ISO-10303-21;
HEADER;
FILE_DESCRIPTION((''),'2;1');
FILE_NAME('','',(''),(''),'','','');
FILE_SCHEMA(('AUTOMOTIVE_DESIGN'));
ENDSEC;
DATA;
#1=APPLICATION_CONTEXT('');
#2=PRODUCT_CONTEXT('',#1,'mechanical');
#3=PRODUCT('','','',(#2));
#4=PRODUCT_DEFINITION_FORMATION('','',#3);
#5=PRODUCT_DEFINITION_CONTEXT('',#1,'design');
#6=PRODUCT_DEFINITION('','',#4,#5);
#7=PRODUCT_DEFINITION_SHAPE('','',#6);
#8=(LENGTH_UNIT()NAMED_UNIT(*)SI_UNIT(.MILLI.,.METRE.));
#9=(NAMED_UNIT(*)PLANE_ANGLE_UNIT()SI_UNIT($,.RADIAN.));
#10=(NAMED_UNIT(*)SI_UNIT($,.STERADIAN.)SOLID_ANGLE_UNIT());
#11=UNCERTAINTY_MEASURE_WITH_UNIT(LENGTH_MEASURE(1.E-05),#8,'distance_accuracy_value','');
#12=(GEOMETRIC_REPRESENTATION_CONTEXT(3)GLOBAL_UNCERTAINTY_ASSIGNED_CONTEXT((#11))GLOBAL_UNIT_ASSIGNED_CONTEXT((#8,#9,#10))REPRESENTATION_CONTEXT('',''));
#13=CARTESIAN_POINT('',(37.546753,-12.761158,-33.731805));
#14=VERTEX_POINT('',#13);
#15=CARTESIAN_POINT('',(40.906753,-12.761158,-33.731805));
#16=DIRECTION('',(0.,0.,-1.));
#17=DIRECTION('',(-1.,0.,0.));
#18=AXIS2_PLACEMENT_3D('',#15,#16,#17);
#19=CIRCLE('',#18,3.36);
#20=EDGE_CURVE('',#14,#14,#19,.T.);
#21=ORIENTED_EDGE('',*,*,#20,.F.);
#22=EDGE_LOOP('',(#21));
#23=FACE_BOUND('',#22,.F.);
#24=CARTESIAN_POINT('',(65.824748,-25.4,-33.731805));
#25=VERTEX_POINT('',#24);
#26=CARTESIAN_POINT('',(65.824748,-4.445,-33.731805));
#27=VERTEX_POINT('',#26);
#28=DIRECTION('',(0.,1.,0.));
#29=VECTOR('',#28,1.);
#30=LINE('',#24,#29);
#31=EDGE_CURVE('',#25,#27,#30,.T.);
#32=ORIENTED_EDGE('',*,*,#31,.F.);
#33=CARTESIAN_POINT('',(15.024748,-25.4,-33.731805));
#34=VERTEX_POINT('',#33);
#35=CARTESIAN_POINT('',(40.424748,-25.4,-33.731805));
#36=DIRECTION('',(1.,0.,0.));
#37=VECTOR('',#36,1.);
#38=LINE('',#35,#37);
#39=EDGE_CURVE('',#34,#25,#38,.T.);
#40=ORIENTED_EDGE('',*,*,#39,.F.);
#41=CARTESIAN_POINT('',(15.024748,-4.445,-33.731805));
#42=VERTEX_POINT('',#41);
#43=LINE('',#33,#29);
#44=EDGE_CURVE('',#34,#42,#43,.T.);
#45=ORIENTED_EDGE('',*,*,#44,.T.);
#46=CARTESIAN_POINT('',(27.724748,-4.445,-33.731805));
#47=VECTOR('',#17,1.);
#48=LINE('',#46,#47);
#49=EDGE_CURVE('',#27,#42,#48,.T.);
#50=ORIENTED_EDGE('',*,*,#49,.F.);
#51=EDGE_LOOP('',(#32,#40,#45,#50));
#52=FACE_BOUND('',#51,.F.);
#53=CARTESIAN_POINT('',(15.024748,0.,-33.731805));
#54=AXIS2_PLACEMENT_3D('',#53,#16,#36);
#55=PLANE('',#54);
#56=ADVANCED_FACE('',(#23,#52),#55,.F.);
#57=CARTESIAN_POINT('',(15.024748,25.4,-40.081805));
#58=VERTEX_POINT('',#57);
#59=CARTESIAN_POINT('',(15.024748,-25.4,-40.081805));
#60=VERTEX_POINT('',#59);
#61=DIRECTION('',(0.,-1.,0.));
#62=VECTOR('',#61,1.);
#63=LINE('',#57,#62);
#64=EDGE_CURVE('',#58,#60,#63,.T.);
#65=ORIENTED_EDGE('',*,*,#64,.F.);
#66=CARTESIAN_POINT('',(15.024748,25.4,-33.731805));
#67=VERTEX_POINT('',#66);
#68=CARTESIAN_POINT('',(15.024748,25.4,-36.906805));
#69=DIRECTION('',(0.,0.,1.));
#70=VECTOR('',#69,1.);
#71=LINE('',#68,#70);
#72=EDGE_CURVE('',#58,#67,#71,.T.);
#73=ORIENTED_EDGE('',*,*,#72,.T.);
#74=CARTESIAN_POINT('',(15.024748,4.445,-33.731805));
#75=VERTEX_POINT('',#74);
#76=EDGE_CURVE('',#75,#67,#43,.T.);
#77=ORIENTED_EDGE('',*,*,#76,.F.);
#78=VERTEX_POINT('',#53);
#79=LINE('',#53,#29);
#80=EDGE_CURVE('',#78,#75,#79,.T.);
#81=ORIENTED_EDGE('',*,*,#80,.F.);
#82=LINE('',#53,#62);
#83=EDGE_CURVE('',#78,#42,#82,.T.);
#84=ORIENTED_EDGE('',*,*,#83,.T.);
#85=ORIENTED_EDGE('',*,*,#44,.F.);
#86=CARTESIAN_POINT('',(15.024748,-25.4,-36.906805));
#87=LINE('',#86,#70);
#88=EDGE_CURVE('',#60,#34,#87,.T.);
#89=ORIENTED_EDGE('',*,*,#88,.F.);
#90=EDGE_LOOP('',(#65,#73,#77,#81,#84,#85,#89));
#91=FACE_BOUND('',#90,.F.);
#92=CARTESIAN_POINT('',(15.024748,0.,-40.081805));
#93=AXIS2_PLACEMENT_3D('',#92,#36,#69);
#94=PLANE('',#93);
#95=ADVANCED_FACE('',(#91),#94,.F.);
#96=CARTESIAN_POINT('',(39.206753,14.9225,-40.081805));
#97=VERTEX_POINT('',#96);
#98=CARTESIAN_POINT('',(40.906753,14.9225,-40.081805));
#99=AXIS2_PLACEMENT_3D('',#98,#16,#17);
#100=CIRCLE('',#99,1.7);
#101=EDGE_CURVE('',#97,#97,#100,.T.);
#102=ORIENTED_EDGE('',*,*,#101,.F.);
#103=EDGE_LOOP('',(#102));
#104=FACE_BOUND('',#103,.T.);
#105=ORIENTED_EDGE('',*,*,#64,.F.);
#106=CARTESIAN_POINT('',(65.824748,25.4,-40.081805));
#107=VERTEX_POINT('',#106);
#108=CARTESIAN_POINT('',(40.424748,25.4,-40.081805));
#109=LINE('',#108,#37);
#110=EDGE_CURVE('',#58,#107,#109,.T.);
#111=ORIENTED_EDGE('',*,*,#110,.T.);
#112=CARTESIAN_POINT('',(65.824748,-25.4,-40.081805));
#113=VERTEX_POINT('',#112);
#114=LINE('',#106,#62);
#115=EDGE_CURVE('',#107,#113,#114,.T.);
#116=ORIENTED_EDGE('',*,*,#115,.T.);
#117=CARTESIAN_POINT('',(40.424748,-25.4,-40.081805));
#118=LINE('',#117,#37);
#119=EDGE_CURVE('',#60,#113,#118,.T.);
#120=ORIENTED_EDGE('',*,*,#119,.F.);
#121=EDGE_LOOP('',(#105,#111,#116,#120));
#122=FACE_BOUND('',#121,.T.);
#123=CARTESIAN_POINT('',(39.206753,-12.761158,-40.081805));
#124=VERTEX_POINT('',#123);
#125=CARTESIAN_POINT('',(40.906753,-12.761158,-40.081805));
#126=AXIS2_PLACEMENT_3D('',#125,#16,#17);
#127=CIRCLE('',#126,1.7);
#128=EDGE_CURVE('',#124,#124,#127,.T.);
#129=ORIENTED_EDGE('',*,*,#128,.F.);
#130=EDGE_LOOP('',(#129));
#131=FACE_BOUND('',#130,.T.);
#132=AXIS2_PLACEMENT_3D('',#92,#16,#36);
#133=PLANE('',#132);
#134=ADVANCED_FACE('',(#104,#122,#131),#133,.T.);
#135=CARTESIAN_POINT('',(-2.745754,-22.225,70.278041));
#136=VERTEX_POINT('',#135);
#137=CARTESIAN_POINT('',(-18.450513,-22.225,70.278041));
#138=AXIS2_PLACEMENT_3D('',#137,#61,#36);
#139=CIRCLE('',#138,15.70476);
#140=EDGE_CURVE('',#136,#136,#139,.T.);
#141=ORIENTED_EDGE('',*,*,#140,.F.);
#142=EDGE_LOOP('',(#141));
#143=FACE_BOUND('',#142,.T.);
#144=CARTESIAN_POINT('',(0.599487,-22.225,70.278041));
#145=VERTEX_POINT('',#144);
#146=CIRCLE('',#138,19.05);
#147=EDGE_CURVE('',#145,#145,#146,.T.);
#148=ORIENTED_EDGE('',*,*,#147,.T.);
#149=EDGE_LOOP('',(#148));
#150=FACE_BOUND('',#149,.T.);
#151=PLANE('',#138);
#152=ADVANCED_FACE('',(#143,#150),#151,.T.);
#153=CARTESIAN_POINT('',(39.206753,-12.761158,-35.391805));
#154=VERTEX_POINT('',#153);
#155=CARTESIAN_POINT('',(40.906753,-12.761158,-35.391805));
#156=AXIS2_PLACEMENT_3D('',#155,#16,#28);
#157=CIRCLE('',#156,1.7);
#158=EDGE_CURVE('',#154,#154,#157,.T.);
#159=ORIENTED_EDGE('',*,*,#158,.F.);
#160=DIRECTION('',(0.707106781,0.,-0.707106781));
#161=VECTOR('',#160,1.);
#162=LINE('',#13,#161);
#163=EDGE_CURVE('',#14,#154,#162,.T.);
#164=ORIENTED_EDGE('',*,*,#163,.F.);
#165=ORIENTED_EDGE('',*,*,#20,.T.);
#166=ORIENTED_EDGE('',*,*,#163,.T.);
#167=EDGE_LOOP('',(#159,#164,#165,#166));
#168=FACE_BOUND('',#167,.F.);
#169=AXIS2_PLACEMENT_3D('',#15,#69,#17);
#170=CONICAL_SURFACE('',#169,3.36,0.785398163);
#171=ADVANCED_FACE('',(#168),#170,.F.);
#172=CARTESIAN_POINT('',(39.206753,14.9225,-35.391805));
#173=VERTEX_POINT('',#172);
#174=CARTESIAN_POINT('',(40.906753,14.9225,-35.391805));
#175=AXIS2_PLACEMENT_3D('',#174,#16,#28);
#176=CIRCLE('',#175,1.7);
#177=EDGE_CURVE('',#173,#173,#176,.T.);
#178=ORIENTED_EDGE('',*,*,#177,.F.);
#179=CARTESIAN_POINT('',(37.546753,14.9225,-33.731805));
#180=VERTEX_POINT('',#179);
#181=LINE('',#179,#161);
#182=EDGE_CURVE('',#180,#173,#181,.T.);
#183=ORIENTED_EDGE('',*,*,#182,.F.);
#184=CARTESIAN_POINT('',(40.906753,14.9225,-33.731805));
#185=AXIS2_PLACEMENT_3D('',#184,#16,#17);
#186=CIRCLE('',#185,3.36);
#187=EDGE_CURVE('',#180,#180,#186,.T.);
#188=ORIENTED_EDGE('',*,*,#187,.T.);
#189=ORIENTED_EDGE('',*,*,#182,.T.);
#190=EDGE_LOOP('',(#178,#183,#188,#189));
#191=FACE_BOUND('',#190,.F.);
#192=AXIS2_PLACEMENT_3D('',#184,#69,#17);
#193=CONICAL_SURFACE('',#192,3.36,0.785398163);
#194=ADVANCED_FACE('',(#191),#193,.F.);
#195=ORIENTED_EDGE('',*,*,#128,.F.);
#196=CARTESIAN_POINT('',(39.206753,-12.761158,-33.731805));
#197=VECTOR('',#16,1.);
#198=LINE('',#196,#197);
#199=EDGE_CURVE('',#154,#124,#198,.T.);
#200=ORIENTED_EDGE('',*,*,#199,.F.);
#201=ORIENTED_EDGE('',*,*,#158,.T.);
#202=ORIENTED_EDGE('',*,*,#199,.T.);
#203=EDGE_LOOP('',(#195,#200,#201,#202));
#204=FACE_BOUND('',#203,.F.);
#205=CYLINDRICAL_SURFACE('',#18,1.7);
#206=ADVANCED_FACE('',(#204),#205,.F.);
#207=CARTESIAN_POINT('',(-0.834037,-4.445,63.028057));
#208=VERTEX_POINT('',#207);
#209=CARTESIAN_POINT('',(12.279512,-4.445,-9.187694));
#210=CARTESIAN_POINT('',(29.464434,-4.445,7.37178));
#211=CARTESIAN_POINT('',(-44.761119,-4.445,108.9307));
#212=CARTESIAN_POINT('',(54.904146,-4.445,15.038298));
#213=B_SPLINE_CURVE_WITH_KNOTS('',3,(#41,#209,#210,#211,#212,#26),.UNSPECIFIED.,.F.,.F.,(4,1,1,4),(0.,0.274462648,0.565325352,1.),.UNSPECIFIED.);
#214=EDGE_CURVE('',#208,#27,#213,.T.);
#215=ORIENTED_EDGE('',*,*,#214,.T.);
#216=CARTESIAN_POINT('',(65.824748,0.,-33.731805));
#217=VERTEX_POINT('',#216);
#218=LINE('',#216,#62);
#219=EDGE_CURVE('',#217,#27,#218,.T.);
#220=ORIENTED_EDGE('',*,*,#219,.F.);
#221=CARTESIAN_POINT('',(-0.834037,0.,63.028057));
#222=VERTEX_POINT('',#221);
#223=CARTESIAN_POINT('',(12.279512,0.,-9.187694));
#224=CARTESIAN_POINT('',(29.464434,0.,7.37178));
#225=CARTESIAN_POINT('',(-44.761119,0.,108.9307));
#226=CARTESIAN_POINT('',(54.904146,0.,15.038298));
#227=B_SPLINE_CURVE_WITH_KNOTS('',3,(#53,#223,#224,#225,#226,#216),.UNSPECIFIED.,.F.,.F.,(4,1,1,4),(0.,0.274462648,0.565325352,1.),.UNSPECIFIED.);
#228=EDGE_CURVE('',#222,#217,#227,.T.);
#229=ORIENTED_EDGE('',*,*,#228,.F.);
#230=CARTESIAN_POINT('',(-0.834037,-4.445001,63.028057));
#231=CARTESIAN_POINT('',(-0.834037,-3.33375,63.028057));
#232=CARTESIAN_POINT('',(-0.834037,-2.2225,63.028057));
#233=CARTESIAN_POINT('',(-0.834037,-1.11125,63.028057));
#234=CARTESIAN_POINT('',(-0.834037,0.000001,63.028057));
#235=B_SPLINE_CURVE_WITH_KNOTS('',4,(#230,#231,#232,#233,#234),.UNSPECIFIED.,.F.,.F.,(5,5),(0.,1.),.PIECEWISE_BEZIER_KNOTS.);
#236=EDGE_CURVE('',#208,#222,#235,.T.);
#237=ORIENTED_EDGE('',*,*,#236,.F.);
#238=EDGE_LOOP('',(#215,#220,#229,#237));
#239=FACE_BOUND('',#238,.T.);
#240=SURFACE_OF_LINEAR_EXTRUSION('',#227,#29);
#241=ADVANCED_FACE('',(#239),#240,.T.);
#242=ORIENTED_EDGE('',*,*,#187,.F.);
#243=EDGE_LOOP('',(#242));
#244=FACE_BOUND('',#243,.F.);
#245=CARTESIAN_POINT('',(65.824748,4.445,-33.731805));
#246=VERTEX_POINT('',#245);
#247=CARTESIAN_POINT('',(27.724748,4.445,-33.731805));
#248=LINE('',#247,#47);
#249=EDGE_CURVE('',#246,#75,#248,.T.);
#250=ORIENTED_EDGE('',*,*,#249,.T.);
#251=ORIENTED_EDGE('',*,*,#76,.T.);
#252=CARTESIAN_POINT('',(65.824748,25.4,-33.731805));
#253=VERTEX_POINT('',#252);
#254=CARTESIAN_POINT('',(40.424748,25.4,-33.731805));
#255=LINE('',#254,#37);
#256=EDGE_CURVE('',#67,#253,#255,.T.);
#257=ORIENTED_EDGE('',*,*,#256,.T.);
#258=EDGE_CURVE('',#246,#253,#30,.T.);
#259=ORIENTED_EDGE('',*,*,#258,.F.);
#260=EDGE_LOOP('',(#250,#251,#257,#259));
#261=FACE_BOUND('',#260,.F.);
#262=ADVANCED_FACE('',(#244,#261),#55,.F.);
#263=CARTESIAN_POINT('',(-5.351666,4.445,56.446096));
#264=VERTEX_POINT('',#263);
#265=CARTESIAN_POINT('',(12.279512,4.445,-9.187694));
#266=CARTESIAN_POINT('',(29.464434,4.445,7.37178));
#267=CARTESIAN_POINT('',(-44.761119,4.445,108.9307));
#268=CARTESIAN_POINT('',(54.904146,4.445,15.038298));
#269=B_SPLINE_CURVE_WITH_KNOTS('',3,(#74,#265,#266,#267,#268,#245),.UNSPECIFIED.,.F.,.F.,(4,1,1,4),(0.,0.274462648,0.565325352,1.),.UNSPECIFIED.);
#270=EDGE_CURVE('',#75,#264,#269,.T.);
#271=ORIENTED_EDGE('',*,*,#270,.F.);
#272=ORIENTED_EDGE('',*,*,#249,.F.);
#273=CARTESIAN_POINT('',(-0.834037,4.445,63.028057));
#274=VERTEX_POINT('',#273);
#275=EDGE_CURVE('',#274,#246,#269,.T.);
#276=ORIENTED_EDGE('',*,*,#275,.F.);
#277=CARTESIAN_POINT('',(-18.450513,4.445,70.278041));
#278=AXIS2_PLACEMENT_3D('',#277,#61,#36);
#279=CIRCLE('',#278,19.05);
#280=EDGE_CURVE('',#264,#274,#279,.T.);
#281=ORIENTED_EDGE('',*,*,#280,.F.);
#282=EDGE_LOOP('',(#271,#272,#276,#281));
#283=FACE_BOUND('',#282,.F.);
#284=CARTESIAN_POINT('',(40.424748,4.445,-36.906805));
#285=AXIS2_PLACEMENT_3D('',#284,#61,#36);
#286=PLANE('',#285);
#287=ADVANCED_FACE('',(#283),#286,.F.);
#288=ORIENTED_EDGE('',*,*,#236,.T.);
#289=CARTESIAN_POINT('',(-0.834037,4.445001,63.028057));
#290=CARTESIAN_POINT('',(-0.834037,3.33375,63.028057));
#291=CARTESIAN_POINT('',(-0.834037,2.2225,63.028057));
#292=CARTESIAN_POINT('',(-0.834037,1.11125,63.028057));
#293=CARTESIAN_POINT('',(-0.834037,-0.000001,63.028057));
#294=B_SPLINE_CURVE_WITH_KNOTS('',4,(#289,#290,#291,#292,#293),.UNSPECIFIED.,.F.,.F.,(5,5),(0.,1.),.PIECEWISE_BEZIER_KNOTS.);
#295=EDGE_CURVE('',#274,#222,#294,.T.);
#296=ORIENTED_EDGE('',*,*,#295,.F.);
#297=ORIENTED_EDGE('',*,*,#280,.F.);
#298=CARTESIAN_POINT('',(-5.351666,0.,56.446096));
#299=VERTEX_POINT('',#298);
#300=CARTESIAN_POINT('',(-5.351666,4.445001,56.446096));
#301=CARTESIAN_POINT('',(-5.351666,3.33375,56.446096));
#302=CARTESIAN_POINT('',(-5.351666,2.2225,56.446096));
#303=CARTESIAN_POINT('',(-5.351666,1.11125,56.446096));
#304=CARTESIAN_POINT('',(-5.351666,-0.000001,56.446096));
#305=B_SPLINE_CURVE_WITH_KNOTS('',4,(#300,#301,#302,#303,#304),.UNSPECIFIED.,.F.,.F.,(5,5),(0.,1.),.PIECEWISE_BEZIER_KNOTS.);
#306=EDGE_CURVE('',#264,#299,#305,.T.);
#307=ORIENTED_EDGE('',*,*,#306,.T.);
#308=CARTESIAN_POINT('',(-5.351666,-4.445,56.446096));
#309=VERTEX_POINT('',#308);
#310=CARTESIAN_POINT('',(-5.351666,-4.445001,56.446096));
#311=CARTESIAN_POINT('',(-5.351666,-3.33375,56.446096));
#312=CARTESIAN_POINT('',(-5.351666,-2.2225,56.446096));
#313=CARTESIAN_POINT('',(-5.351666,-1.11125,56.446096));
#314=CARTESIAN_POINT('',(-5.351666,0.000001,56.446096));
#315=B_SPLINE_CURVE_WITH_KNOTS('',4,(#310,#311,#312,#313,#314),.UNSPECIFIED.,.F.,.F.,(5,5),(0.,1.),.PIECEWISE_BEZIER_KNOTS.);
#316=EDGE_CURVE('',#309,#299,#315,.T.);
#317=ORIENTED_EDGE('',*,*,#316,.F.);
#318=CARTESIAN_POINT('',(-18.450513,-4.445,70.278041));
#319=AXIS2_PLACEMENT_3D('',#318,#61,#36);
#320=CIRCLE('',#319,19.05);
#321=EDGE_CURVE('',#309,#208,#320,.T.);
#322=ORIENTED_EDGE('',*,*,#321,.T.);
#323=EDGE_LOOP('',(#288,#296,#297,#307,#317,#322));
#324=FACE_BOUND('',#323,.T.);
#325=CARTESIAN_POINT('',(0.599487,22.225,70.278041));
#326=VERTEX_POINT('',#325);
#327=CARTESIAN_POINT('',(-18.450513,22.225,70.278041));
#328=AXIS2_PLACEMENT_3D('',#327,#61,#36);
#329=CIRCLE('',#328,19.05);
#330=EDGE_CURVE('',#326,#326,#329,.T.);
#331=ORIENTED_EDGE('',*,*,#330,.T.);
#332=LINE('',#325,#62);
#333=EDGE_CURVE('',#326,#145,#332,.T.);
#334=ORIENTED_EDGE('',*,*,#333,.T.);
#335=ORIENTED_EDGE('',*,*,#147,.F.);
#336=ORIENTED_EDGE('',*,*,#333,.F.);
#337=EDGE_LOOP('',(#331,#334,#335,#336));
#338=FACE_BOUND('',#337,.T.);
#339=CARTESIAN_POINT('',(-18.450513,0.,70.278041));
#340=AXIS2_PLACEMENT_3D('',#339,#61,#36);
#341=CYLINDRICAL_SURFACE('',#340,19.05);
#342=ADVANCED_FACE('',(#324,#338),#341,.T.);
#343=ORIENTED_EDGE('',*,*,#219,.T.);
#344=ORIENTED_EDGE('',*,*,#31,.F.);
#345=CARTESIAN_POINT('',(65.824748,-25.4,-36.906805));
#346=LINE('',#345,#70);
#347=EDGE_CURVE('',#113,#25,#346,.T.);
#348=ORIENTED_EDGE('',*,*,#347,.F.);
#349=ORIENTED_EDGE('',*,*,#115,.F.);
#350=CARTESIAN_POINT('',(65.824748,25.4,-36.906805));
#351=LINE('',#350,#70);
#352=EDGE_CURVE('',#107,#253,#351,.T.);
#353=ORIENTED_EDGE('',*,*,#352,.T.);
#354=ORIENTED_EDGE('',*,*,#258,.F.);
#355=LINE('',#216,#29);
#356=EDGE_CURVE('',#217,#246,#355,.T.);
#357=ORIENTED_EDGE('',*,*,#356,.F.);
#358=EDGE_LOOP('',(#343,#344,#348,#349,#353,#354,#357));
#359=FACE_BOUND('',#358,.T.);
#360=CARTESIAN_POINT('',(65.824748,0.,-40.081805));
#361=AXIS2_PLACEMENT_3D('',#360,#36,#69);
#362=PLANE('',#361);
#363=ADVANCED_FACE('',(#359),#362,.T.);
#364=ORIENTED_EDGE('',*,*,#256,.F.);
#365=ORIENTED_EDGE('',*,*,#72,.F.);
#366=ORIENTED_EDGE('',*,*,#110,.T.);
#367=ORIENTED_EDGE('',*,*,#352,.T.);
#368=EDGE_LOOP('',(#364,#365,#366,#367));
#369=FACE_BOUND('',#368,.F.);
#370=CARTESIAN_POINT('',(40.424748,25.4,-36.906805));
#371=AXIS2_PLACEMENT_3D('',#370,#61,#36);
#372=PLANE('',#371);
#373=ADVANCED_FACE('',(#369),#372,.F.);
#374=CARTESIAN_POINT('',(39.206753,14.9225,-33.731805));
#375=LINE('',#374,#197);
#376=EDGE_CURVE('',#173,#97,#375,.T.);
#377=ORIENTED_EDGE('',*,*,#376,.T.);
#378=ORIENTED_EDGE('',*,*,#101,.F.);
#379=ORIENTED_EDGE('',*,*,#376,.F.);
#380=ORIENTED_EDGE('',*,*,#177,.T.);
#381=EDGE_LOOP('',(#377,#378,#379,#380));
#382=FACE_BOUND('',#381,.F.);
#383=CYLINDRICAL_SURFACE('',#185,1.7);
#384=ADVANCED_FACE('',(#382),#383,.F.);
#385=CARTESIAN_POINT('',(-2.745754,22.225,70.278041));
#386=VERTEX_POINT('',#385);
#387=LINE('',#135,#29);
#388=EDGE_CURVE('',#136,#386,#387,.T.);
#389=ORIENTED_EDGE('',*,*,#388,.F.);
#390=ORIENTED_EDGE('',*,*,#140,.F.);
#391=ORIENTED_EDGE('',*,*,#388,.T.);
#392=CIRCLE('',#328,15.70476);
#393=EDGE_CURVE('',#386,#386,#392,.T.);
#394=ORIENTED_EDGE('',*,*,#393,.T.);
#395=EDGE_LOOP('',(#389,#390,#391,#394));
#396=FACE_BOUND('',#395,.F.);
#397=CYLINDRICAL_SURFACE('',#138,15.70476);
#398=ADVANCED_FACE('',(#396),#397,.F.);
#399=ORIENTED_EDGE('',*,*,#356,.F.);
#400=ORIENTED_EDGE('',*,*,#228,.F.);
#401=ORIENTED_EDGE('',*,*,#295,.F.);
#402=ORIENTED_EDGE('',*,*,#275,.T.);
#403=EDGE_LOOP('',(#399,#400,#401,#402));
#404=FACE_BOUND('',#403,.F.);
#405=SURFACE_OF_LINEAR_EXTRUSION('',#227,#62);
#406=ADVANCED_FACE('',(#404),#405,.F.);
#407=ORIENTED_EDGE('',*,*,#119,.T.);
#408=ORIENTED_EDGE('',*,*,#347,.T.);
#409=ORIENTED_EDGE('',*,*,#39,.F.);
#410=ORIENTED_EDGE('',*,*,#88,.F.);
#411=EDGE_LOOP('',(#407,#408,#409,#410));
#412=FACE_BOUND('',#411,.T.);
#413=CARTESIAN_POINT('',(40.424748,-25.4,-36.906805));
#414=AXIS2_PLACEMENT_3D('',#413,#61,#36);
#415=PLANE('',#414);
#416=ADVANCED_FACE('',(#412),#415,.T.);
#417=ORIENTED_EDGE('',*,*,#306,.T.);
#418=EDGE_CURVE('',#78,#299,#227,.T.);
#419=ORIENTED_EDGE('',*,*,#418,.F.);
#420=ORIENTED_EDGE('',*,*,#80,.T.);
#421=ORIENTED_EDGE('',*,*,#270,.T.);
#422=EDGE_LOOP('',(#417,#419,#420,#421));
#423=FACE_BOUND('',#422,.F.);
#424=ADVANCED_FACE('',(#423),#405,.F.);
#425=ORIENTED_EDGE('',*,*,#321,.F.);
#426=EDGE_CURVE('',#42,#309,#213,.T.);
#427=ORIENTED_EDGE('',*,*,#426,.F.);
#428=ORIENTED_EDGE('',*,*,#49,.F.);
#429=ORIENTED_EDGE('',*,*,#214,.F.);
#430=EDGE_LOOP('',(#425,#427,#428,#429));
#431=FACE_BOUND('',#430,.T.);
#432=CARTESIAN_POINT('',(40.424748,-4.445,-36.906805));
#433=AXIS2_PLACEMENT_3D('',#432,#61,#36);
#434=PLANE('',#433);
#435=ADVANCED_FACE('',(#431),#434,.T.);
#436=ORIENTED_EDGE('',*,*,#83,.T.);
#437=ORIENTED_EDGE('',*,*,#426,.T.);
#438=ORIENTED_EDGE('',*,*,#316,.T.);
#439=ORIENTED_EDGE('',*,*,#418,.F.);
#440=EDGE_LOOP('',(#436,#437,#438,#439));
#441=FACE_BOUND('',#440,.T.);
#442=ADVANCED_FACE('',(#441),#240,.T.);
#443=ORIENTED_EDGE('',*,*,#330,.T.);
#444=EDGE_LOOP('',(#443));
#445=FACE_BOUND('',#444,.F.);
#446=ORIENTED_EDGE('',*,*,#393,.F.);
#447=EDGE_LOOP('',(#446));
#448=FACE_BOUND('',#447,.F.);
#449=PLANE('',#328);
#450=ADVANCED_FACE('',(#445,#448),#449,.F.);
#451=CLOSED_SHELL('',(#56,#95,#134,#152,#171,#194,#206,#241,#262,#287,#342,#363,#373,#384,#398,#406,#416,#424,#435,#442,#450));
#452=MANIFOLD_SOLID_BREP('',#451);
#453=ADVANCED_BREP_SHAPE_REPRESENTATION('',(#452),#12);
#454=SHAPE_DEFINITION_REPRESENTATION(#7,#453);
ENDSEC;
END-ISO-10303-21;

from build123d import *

# Parameters (mm, degrees)
F0_W           = 50.8
F0_H           = 6.35
F1_DEPTH       = 25.4
F2_DEPTH       = 4.445
F3_R           = 19.05
F4_DEPTH       = 22.225
F5_R           = 15.7047598919
F6_DEPTH       = 44.45
F8_D           = 3.4
F8_CSINK_D     = 6.72
F8_CSINK_ANGLE = 90
F9_D           = 3.4
F9_CSINK_D     = 6.72
F9_CSINK_ANGLE = 90


with BuildPart() as f1:
    # F0 (on Front) → F1 (new body, symmetric)
    with BuildSketch(Plane.XZ):
        with Locations((40.4247476995, -36.9068052319)):
            Rectangle(F0_W, F0_H)
    extrude(amount=F1_DEPTH, both=True)

    # F0 (on Front) → F2 (join, symmetric)
    with BuildSketch(Plane.XZ):
        with Locations((40.4247476995, -36.9068052319)):
            Rectangle(F0_W, F0_H)
        with BuildLine():
            Line((15.0247476995, -33.7318052319), (65.8247476995, -33.7318052319))
            add(Edge.make_bspline(
                [(15.0247476995, -33.7318052319), (12.2795119362, -9.1876940642), (29.4644343196, 7.3717802798), (-44.7611190361, 108.9306998857), (54.9041464645, 15.0382978493), (65.8247476995, -33.7318052319)],
                knots=[0, 0, 0, 0, 0.2744626476, 0.5653253519, 1, 1, 1, 1], degree=3))
        make_face()
    extrude(amount=F2_DEPTH, both=True)

    # F3 (on Front) → F4 (join, symmetric)
    with BuildSketch(Plane.XZ):
        with Locations((-18.4505134821, 70.2780410647)):
            Circle(F3_R)
    extrude(amount=F4_DEPTH, both=True)

    # F5 (on face) → F6 (cut)
    with BuildSketch(Plane.XZ.offset(22.225)):
        with Locations((-18.4505134821, 70.2780410647)):
            Circle(F5_R)
    extrude(amount=-F6_DEPTH, mode=Mode.SUBTRACT)

    # F8 (through all)
    with Locations(Plane.XY.offset(-33.7318052319)):
        with Locations((40.906753391, 14.9225)):
            CounterSinkHole(F8_D / 2, F8_CSINK_D / 2, counter_sink_angle=F8_CSINK_ANGLE)

    # F9 (through all)
    with Locations(Plane.XY.offset(-33.7318052319)):
        with Locations((40.906753391, -12.7611579373)):
            CounterSinkHole(F9_D / 2, F9_CSINK_D / 2, counter_sink_angle=F9_CSINK_ANGLE)


solid = f1.part
